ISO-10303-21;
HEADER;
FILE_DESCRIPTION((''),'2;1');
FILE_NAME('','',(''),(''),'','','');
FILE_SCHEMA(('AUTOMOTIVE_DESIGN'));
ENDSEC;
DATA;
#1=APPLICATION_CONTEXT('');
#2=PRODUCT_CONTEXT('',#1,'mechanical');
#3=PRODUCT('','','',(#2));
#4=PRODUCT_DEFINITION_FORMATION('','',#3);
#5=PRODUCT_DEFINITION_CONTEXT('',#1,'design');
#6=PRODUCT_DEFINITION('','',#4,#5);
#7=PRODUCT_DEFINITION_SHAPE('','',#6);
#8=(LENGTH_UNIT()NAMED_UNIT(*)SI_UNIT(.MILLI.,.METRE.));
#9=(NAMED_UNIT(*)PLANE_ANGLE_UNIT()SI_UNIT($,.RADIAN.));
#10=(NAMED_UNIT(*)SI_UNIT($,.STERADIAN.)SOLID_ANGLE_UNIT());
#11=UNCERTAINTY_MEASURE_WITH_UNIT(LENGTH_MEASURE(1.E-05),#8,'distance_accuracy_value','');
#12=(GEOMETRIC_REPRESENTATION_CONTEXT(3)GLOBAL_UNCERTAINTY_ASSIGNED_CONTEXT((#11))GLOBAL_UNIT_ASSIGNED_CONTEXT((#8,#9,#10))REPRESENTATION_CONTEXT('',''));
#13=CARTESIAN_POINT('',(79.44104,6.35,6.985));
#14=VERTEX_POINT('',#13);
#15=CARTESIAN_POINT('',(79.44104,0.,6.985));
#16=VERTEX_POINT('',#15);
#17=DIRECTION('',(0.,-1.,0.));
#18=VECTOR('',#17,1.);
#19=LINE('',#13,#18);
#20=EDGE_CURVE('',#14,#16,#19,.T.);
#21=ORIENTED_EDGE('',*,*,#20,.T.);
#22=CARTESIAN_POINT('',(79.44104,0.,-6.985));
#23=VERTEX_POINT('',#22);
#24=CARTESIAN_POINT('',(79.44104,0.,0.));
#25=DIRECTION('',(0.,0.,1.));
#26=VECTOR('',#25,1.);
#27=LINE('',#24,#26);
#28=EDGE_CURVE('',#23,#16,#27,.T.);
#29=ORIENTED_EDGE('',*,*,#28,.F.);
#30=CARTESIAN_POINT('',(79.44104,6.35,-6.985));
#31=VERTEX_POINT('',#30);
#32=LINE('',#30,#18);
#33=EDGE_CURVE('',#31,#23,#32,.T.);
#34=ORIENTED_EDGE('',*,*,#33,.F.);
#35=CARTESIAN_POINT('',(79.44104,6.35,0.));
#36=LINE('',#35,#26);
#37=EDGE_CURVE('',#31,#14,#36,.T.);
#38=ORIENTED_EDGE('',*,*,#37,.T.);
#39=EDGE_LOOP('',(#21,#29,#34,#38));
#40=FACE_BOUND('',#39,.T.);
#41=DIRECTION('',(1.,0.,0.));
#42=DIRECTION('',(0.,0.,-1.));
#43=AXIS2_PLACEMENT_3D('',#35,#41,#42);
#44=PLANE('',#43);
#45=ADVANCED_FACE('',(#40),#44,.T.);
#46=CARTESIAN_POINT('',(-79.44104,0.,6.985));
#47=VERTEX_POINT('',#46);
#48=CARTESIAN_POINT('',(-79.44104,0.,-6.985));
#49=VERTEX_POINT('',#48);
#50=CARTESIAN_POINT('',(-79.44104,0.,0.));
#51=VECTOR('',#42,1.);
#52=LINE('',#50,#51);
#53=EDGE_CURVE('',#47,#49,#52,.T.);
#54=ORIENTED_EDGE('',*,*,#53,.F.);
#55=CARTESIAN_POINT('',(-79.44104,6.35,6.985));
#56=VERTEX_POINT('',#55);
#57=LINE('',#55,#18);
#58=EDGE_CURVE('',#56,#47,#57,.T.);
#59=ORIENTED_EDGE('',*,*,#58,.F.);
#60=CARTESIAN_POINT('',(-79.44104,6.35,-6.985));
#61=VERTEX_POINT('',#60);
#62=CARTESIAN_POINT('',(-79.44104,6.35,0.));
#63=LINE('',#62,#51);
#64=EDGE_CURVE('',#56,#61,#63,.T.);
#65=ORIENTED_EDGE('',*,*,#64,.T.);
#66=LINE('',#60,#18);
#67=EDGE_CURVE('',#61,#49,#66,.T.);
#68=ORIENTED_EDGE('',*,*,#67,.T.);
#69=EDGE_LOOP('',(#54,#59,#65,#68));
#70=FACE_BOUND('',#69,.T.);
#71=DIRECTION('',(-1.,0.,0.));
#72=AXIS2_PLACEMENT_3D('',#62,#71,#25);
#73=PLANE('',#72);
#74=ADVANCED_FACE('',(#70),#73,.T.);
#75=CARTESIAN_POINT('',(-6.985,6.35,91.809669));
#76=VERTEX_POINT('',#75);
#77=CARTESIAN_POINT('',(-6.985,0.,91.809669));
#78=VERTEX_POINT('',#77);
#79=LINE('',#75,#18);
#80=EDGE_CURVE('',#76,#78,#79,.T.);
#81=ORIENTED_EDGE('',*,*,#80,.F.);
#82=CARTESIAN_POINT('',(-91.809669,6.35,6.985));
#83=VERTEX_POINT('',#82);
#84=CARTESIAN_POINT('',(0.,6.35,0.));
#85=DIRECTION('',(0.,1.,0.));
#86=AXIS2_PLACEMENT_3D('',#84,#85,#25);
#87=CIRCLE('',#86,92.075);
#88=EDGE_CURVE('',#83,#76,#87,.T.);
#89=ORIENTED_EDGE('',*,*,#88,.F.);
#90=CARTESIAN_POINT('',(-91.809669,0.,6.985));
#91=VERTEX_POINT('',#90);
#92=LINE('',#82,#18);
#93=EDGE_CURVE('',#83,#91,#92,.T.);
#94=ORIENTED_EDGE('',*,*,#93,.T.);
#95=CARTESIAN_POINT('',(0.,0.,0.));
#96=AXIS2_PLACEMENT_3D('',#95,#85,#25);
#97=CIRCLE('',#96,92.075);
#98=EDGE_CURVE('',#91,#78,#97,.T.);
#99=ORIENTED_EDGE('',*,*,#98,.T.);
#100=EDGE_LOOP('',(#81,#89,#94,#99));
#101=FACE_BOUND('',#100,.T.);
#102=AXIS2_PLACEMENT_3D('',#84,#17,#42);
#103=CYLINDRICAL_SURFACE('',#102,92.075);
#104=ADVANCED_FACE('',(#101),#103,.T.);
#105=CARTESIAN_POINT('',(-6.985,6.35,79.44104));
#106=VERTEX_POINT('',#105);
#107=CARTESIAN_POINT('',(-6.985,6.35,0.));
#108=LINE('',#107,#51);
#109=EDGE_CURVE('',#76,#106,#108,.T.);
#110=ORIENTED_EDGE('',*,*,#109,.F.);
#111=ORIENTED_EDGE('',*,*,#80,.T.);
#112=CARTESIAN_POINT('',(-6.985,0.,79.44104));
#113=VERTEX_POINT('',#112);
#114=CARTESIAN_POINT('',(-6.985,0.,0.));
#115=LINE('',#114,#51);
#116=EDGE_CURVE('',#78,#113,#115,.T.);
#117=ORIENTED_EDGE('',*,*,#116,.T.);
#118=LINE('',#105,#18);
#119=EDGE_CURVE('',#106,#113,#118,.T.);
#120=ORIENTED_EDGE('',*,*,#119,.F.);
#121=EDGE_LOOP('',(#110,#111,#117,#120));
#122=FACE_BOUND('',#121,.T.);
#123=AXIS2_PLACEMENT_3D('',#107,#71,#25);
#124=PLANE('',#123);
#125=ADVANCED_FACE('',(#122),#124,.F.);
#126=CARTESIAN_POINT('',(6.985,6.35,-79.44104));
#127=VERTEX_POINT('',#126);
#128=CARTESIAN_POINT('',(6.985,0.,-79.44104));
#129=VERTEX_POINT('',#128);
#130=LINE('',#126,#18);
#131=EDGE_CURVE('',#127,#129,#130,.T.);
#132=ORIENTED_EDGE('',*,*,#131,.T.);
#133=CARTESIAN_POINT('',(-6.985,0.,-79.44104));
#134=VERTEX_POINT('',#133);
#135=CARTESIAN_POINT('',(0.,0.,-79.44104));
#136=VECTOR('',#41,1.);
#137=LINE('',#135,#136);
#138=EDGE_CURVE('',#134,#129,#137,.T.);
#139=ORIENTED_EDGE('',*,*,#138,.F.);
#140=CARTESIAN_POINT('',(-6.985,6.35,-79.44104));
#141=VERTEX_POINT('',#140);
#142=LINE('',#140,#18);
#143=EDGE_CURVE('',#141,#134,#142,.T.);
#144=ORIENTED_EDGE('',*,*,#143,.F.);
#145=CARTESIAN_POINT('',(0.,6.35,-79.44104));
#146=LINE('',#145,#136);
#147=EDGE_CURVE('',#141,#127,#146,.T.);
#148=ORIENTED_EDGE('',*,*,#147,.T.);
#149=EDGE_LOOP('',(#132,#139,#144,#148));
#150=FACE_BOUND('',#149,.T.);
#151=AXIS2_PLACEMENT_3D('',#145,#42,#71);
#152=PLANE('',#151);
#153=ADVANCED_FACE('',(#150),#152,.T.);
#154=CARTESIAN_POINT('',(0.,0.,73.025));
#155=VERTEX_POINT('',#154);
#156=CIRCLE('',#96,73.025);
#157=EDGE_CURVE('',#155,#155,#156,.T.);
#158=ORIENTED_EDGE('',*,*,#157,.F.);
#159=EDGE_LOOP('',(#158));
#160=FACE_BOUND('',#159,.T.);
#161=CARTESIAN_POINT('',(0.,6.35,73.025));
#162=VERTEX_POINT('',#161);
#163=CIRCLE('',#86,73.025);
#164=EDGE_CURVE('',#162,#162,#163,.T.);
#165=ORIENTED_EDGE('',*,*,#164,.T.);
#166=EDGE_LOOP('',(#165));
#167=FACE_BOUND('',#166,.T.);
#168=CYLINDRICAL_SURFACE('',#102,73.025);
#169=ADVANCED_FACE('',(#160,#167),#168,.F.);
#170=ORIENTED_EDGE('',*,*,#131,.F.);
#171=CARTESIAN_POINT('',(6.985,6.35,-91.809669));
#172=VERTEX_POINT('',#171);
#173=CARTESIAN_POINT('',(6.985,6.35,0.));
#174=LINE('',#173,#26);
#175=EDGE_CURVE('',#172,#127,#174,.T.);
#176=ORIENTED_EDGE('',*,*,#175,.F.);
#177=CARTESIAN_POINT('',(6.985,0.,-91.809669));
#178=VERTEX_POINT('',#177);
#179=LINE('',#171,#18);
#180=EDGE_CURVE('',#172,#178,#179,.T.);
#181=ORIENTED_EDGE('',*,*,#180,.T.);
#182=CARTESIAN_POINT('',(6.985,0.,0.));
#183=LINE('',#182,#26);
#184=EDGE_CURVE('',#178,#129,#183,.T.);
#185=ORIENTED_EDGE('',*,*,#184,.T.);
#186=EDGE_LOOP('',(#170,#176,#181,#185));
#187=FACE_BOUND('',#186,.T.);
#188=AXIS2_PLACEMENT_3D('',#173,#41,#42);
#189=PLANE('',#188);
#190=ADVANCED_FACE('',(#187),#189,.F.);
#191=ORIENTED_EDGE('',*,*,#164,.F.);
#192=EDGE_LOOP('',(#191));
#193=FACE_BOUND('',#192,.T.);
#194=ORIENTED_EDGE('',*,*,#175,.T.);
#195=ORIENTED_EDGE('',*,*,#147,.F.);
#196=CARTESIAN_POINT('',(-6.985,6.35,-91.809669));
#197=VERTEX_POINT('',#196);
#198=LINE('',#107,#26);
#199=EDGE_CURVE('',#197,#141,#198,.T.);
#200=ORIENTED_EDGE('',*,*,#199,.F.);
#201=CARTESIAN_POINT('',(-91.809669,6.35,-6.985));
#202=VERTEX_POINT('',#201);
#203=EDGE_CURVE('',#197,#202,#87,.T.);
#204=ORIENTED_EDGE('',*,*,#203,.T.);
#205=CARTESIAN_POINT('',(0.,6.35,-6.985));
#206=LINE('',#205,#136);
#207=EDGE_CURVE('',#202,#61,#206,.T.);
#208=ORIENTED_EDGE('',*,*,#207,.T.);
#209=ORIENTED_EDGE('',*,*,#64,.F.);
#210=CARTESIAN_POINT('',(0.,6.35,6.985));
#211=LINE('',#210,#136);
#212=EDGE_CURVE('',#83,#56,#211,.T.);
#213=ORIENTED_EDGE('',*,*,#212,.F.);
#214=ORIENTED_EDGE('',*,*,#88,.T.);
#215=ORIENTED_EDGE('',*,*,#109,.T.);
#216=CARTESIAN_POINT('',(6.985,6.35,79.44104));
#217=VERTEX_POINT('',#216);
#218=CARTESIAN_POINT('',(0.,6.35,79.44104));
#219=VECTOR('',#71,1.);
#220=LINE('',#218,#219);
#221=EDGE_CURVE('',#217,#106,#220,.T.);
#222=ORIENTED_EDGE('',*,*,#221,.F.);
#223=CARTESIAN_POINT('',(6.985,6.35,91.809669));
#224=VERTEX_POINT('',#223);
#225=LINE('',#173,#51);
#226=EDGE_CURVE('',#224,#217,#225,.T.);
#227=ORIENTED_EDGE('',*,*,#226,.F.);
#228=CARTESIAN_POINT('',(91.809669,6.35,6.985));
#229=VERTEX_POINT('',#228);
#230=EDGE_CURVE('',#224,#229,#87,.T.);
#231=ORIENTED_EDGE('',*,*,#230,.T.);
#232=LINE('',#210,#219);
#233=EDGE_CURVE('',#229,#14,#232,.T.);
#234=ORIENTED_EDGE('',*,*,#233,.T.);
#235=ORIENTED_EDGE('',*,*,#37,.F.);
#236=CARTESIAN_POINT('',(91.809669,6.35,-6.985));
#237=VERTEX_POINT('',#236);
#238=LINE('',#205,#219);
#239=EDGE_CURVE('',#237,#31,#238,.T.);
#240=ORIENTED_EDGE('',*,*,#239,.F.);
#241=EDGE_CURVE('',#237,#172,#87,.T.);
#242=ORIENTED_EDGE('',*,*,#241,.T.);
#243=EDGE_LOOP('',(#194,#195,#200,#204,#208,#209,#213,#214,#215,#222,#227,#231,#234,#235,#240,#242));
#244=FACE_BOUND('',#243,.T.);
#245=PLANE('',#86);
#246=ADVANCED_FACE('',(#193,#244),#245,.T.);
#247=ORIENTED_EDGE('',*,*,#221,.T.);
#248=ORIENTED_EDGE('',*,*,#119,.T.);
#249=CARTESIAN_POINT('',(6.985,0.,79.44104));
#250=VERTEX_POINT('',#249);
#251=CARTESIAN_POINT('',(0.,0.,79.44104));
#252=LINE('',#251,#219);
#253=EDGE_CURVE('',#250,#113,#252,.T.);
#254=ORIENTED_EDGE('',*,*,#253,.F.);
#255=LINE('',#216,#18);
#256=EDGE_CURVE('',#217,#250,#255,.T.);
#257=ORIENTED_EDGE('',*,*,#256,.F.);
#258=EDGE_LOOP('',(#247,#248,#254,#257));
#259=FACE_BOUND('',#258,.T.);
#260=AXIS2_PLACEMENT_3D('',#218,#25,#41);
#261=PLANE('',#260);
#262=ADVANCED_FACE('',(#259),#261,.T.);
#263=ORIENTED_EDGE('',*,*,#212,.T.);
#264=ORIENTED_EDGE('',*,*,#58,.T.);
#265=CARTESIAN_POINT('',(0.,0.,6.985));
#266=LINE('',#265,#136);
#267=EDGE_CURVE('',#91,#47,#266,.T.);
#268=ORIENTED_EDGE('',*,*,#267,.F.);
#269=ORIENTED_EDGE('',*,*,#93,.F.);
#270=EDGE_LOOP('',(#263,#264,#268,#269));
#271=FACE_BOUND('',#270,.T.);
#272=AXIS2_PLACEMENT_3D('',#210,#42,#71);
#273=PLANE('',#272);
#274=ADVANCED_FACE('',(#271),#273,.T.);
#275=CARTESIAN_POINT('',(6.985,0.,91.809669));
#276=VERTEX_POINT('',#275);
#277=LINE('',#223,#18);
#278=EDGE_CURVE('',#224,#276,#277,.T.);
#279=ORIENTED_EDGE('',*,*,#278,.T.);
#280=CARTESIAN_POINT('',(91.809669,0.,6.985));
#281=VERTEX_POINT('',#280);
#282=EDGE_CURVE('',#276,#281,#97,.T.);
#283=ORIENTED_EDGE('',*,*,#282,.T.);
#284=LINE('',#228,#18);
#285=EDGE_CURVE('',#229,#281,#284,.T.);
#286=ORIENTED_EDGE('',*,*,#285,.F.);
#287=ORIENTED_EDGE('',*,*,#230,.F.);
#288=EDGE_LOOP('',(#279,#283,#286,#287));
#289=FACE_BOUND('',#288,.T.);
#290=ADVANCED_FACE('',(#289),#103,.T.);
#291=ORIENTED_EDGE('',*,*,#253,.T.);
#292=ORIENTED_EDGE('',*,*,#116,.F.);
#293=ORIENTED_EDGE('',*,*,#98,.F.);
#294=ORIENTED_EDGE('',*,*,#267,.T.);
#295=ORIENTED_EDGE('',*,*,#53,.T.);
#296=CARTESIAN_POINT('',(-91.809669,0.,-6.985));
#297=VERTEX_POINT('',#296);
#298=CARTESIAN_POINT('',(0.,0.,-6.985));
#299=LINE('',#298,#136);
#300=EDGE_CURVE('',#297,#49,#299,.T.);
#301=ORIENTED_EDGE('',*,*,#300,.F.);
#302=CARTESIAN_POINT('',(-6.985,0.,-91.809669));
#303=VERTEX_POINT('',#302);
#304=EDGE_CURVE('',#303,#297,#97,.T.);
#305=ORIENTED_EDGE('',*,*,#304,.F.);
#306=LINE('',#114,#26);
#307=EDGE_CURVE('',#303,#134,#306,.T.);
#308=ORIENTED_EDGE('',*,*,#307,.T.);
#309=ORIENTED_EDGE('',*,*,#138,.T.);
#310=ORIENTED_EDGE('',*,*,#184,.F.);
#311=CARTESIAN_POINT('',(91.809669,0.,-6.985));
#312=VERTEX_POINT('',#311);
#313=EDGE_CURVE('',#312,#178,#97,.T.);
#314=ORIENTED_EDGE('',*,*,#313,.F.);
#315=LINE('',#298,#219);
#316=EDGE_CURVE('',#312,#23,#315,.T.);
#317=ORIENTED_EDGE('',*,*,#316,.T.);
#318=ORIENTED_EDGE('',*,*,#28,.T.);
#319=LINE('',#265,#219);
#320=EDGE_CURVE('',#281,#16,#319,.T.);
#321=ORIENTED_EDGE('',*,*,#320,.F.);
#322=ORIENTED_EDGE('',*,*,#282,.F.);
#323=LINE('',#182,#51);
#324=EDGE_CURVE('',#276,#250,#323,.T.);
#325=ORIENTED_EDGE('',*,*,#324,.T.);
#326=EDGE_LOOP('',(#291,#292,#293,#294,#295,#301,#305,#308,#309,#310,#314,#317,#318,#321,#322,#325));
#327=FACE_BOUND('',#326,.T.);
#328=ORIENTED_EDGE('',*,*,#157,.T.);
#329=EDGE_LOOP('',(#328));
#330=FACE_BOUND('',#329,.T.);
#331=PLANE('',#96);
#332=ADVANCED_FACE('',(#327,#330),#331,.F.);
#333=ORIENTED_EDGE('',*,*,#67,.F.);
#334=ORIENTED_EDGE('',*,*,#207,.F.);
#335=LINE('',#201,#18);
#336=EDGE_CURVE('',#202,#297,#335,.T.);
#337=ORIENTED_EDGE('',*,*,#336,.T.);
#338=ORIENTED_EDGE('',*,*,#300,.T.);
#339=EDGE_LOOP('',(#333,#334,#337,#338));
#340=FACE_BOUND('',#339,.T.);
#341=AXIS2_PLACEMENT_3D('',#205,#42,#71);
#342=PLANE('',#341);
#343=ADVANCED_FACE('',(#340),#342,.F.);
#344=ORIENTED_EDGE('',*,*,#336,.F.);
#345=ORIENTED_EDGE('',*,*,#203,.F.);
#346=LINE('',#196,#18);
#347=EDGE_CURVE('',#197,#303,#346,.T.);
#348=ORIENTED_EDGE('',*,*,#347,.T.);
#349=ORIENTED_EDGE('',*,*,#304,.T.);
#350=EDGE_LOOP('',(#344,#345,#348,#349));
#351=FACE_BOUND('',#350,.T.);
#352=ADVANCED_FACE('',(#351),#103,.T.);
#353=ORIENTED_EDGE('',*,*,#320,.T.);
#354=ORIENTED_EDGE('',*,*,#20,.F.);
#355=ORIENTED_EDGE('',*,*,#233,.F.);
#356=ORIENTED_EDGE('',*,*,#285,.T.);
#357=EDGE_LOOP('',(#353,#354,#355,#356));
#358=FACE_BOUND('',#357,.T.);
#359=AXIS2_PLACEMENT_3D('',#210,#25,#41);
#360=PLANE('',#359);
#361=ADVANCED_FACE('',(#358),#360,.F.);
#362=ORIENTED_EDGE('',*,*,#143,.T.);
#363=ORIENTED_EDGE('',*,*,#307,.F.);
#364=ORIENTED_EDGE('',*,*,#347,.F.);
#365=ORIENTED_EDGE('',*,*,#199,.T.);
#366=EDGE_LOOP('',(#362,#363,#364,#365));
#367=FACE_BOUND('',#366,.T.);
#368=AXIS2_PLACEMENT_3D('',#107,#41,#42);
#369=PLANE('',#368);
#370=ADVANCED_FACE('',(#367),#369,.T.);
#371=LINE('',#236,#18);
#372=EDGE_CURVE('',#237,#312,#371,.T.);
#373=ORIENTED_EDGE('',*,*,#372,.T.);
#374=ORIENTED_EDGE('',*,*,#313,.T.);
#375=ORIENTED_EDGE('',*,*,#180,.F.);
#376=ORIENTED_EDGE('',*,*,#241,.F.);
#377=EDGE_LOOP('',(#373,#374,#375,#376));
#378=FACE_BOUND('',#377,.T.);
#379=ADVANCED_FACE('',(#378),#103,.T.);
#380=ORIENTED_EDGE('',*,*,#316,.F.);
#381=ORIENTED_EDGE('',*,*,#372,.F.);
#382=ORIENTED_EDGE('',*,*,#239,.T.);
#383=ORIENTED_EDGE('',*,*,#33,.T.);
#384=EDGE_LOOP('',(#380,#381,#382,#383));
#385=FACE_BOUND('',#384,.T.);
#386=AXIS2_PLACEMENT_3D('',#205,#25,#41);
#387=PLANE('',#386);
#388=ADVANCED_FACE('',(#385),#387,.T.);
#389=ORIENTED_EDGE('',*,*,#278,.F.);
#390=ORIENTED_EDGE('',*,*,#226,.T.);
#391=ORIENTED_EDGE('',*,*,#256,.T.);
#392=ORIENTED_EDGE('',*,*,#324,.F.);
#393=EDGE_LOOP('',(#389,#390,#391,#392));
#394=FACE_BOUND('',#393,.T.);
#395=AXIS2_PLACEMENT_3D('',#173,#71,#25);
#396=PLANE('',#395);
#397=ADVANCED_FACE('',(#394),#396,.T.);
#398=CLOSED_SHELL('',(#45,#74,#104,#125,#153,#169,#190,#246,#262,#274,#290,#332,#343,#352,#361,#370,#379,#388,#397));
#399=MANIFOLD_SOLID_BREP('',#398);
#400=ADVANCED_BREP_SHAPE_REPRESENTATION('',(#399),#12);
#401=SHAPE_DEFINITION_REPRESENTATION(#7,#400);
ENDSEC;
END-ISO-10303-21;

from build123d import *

# Parameters (mm, degrees)
SKETCH1_R           = 73.025
BOSS_EXTRUDE1_DEPTH = 6.35


with BuildPart() as part:
    # Sketch1 → Boss-Extrude1 (new body)
    with BuildSketch(Plane(origin=(0, 0, 0), x_dir=(1, 0, 0), z_dir=(0, 1, 0))):
        with BuildLine():
            Line((79.44104, 6.985), (91.809669425, 6.985))
            ThreePointArc((91.809669425, 6.985), (65.106856878, 65.106856878), (6.985, 91.809669425))
            Line((6.985, 91.809669425), (6.985, 79.44104))
            Line((6.985, 79.44104), (-6.985, 79.44104))
            Line((-6.985, 79.44104), (-6.985, 91.809669425))
            ThreePointArc((-6.985, 91.809669425), (-65.106856878, 65.106856878), (-91.809669425, 6.985))
            Line((-91.809669425, 6.985), (-79.44104, 6.985))
            Line((-79.44104, 6.985), (-79.44104, -6.985))
            Line((-79.44104, -6.985), (-91.809669425, -6.985))
            ThreePointArc((-91.809669425, -6.985), (-65.106856878, -65.106856878), (-6.985, -91.809669425))
            Line((-6.985, -91.809669425), (-6.985, -79.44104))
            Line((-6.985, -79.44104), (6.985, -79.44104))
            Line((6.985, -79.44104), (6.985, -91.809669425))
            ThreePointArc((6.985, -91.809669425), (65.106856878, -65.106856878), (91.809669425, -6.985))
            Line((91.809669425, -6.985), (79.44104, -6.985))
            Line((79.44104, -6.985), (79.44104, 6.985))
        make_face()
        Circle(SKETCH1_R, mode=Mode.SUBTRACT)
    extrude(amount=BOSS_EXTRUDE1_DEPTH)


solid = part.part
